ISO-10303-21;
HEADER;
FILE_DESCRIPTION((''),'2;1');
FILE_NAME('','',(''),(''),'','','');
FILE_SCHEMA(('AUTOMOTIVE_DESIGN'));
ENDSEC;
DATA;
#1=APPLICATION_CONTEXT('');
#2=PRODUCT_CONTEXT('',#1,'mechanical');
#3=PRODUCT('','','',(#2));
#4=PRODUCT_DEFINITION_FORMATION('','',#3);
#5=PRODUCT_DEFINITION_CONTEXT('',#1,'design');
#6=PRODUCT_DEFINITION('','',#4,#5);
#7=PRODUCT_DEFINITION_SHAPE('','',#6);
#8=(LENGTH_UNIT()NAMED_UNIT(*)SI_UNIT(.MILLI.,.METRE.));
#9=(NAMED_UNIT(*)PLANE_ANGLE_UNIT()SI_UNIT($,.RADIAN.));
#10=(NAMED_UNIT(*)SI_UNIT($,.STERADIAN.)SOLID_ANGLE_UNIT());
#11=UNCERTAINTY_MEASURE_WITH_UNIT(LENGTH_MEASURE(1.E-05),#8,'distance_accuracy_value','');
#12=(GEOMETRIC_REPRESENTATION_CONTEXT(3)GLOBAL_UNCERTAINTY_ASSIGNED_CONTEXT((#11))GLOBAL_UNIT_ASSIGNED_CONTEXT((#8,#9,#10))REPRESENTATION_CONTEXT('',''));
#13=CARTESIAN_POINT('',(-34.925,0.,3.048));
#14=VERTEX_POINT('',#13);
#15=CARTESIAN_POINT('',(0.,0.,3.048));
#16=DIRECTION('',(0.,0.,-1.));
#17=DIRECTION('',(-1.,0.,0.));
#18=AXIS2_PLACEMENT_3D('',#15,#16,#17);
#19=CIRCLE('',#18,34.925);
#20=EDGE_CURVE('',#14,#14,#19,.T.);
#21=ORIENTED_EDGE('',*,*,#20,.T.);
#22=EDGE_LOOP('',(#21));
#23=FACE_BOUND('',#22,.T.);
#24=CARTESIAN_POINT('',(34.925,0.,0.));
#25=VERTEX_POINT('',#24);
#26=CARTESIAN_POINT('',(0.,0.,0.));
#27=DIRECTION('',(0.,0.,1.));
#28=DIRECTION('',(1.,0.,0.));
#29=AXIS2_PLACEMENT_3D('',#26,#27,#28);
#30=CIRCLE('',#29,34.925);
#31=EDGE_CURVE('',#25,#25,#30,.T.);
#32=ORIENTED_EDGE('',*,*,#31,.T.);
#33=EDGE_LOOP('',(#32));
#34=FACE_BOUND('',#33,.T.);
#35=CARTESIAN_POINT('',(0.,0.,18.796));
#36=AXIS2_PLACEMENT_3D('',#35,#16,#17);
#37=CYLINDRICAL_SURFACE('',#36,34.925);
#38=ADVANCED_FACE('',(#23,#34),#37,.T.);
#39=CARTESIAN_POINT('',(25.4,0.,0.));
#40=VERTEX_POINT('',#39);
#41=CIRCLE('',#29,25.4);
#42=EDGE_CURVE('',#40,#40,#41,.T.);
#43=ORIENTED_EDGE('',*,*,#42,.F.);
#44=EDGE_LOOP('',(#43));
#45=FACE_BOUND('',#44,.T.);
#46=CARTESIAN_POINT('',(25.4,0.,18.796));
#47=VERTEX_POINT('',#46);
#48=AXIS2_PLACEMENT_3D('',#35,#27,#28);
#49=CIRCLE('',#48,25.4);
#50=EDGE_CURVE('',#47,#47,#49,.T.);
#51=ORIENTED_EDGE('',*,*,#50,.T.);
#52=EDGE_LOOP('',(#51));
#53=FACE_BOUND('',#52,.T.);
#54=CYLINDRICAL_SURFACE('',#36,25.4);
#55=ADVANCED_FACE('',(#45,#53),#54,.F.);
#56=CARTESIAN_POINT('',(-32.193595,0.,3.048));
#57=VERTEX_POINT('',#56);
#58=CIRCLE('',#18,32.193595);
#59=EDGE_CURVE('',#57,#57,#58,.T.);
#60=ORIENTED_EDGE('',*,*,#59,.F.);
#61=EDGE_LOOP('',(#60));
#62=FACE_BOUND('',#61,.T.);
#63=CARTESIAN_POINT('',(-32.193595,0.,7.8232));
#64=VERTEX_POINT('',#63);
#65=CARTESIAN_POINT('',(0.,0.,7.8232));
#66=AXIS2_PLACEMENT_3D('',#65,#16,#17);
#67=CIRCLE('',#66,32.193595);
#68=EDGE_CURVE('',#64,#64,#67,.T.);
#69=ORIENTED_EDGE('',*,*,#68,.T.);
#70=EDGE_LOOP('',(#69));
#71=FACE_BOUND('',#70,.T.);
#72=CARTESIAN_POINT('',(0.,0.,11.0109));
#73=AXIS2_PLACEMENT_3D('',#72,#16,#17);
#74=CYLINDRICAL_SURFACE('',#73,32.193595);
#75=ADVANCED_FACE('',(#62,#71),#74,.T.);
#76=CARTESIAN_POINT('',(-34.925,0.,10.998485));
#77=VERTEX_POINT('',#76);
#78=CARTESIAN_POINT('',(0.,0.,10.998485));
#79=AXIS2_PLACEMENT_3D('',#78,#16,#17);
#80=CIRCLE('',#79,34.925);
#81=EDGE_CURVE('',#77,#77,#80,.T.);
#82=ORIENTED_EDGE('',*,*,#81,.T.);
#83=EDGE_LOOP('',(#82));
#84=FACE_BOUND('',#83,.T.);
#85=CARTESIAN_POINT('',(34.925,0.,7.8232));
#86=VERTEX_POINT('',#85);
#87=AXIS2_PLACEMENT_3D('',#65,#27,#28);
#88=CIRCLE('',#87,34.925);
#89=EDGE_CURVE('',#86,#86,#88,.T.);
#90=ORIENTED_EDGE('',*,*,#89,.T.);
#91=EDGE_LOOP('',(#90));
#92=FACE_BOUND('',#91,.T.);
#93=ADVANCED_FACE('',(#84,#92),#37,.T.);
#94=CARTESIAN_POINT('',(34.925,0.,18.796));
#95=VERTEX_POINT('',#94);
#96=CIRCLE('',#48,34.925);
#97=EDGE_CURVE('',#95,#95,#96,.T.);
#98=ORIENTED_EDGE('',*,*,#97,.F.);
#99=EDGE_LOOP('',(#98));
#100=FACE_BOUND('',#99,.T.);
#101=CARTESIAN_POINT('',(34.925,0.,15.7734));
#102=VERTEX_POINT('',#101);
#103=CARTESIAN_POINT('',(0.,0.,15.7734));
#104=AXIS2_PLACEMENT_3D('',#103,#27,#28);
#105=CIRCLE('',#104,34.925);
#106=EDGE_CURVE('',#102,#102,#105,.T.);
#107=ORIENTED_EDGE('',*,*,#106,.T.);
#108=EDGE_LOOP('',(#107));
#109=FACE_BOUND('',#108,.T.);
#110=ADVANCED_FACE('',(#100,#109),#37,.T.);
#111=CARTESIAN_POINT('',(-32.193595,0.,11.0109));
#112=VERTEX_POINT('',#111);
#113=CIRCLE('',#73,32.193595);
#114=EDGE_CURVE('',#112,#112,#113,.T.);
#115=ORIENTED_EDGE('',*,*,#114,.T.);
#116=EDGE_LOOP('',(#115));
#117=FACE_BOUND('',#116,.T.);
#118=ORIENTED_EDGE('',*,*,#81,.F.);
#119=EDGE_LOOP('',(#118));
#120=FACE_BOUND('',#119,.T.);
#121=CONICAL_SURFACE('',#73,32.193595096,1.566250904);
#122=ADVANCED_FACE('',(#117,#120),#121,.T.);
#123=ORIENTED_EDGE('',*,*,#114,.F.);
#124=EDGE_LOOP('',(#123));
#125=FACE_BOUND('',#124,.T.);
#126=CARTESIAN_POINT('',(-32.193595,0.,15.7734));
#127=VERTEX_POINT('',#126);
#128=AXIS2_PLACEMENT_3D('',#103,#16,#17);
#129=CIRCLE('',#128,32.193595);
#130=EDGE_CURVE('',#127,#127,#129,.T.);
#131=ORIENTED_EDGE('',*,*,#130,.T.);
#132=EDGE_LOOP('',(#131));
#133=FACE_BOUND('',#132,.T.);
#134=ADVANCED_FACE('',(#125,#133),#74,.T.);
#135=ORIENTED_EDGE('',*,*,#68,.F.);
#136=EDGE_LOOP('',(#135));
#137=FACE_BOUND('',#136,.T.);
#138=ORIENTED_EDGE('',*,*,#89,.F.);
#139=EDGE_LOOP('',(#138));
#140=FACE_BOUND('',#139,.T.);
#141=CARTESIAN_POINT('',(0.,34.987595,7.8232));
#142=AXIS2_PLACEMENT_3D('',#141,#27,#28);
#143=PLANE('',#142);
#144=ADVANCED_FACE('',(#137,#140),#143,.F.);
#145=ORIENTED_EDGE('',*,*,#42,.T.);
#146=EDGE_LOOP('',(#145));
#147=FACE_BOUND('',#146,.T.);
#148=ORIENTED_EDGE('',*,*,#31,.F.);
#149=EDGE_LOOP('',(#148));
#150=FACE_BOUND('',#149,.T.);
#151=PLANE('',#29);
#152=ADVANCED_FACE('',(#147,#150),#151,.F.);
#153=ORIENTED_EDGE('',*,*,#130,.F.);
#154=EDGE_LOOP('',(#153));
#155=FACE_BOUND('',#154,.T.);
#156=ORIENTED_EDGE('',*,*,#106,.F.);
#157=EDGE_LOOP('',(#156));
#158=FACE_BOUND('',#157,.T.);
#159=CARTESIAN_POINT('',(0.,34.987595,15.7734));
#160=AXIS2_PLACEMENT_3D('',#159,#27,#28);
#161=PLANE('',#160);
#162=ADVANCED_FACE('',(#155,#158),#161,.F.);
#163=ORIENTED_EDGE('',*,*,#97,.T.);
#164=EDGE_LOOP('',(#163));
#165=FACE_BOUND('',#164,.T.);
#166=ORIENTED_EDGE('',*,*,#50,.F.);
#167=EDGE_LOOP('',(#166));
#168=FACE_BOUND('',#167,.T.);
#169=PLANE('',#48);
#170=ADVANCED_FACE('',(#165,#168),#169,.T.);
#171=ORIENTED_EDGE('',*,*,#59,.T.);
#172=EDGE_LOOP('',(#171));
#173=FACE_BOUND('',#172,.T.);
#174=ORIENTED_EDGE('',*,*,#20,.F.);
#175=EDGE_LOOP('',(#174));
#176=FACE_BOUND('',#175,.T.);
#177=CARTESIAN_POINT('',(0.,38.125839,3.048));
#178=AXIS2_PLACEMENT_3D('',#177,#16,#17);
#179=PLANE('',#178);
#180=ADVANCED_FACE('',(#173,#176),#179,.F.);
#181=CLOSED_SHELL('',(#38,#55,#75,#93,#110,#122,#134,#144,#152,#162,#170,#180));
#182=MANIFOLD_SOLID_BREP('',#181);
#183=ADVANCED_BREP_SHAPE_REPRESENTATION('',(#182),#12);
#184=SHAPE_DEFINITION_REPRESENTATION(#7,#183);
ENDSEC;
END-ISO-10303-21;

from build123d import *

# Parameters (mm, degrees)
SKETCH1_R           = 34.925
SKETCH1_R_2         = 25.4
BOSS_EXTRUDE1_DEPTH = 18.796


with BuildPart() as part:
    # Sketch1 → Boss-Extrude1 (new body)
    with BuildSketch(Plane.XY):
        Circle(SKETCH1_R)
        Circle(SKETCH1_R_2, mode=Mode.SUBTRACT)
    extrude(amount=BOSS_EXTRUDE1_DEPTH)

    # Cut-Sweep1: sweep along a path in groove path
    with BuildLine(Plane.XY.offset(11.0109)) as cut_sweep1_path:
        CenterArc((0, 0), 34.925, 0, 360)
    # groove → Cut-Sweep1 (sweep, cut)
    with BuildSketch(Plane(origin=(0, 0, 0), x_dir=(0, 0, -1), z_dir=(1, 0, 0))):
        Polygon((-15.7734, 34.987595096), (-15.7734, 32.193595096), (-11.0109, 32.193595096), (-10.9982, 34.987595096), (-7.8232, 34.987595096), (-7.8232, 32.193595096), (-3.048, 32.193595096), (-3.048, 34.987595096), (-3.048, 38.125839406), (-15.7734, 38.125839406), align=None)
    sweep(path=cut_sweep1_path.line, mode=Mode.SUBTRACT)


solid = part.part
